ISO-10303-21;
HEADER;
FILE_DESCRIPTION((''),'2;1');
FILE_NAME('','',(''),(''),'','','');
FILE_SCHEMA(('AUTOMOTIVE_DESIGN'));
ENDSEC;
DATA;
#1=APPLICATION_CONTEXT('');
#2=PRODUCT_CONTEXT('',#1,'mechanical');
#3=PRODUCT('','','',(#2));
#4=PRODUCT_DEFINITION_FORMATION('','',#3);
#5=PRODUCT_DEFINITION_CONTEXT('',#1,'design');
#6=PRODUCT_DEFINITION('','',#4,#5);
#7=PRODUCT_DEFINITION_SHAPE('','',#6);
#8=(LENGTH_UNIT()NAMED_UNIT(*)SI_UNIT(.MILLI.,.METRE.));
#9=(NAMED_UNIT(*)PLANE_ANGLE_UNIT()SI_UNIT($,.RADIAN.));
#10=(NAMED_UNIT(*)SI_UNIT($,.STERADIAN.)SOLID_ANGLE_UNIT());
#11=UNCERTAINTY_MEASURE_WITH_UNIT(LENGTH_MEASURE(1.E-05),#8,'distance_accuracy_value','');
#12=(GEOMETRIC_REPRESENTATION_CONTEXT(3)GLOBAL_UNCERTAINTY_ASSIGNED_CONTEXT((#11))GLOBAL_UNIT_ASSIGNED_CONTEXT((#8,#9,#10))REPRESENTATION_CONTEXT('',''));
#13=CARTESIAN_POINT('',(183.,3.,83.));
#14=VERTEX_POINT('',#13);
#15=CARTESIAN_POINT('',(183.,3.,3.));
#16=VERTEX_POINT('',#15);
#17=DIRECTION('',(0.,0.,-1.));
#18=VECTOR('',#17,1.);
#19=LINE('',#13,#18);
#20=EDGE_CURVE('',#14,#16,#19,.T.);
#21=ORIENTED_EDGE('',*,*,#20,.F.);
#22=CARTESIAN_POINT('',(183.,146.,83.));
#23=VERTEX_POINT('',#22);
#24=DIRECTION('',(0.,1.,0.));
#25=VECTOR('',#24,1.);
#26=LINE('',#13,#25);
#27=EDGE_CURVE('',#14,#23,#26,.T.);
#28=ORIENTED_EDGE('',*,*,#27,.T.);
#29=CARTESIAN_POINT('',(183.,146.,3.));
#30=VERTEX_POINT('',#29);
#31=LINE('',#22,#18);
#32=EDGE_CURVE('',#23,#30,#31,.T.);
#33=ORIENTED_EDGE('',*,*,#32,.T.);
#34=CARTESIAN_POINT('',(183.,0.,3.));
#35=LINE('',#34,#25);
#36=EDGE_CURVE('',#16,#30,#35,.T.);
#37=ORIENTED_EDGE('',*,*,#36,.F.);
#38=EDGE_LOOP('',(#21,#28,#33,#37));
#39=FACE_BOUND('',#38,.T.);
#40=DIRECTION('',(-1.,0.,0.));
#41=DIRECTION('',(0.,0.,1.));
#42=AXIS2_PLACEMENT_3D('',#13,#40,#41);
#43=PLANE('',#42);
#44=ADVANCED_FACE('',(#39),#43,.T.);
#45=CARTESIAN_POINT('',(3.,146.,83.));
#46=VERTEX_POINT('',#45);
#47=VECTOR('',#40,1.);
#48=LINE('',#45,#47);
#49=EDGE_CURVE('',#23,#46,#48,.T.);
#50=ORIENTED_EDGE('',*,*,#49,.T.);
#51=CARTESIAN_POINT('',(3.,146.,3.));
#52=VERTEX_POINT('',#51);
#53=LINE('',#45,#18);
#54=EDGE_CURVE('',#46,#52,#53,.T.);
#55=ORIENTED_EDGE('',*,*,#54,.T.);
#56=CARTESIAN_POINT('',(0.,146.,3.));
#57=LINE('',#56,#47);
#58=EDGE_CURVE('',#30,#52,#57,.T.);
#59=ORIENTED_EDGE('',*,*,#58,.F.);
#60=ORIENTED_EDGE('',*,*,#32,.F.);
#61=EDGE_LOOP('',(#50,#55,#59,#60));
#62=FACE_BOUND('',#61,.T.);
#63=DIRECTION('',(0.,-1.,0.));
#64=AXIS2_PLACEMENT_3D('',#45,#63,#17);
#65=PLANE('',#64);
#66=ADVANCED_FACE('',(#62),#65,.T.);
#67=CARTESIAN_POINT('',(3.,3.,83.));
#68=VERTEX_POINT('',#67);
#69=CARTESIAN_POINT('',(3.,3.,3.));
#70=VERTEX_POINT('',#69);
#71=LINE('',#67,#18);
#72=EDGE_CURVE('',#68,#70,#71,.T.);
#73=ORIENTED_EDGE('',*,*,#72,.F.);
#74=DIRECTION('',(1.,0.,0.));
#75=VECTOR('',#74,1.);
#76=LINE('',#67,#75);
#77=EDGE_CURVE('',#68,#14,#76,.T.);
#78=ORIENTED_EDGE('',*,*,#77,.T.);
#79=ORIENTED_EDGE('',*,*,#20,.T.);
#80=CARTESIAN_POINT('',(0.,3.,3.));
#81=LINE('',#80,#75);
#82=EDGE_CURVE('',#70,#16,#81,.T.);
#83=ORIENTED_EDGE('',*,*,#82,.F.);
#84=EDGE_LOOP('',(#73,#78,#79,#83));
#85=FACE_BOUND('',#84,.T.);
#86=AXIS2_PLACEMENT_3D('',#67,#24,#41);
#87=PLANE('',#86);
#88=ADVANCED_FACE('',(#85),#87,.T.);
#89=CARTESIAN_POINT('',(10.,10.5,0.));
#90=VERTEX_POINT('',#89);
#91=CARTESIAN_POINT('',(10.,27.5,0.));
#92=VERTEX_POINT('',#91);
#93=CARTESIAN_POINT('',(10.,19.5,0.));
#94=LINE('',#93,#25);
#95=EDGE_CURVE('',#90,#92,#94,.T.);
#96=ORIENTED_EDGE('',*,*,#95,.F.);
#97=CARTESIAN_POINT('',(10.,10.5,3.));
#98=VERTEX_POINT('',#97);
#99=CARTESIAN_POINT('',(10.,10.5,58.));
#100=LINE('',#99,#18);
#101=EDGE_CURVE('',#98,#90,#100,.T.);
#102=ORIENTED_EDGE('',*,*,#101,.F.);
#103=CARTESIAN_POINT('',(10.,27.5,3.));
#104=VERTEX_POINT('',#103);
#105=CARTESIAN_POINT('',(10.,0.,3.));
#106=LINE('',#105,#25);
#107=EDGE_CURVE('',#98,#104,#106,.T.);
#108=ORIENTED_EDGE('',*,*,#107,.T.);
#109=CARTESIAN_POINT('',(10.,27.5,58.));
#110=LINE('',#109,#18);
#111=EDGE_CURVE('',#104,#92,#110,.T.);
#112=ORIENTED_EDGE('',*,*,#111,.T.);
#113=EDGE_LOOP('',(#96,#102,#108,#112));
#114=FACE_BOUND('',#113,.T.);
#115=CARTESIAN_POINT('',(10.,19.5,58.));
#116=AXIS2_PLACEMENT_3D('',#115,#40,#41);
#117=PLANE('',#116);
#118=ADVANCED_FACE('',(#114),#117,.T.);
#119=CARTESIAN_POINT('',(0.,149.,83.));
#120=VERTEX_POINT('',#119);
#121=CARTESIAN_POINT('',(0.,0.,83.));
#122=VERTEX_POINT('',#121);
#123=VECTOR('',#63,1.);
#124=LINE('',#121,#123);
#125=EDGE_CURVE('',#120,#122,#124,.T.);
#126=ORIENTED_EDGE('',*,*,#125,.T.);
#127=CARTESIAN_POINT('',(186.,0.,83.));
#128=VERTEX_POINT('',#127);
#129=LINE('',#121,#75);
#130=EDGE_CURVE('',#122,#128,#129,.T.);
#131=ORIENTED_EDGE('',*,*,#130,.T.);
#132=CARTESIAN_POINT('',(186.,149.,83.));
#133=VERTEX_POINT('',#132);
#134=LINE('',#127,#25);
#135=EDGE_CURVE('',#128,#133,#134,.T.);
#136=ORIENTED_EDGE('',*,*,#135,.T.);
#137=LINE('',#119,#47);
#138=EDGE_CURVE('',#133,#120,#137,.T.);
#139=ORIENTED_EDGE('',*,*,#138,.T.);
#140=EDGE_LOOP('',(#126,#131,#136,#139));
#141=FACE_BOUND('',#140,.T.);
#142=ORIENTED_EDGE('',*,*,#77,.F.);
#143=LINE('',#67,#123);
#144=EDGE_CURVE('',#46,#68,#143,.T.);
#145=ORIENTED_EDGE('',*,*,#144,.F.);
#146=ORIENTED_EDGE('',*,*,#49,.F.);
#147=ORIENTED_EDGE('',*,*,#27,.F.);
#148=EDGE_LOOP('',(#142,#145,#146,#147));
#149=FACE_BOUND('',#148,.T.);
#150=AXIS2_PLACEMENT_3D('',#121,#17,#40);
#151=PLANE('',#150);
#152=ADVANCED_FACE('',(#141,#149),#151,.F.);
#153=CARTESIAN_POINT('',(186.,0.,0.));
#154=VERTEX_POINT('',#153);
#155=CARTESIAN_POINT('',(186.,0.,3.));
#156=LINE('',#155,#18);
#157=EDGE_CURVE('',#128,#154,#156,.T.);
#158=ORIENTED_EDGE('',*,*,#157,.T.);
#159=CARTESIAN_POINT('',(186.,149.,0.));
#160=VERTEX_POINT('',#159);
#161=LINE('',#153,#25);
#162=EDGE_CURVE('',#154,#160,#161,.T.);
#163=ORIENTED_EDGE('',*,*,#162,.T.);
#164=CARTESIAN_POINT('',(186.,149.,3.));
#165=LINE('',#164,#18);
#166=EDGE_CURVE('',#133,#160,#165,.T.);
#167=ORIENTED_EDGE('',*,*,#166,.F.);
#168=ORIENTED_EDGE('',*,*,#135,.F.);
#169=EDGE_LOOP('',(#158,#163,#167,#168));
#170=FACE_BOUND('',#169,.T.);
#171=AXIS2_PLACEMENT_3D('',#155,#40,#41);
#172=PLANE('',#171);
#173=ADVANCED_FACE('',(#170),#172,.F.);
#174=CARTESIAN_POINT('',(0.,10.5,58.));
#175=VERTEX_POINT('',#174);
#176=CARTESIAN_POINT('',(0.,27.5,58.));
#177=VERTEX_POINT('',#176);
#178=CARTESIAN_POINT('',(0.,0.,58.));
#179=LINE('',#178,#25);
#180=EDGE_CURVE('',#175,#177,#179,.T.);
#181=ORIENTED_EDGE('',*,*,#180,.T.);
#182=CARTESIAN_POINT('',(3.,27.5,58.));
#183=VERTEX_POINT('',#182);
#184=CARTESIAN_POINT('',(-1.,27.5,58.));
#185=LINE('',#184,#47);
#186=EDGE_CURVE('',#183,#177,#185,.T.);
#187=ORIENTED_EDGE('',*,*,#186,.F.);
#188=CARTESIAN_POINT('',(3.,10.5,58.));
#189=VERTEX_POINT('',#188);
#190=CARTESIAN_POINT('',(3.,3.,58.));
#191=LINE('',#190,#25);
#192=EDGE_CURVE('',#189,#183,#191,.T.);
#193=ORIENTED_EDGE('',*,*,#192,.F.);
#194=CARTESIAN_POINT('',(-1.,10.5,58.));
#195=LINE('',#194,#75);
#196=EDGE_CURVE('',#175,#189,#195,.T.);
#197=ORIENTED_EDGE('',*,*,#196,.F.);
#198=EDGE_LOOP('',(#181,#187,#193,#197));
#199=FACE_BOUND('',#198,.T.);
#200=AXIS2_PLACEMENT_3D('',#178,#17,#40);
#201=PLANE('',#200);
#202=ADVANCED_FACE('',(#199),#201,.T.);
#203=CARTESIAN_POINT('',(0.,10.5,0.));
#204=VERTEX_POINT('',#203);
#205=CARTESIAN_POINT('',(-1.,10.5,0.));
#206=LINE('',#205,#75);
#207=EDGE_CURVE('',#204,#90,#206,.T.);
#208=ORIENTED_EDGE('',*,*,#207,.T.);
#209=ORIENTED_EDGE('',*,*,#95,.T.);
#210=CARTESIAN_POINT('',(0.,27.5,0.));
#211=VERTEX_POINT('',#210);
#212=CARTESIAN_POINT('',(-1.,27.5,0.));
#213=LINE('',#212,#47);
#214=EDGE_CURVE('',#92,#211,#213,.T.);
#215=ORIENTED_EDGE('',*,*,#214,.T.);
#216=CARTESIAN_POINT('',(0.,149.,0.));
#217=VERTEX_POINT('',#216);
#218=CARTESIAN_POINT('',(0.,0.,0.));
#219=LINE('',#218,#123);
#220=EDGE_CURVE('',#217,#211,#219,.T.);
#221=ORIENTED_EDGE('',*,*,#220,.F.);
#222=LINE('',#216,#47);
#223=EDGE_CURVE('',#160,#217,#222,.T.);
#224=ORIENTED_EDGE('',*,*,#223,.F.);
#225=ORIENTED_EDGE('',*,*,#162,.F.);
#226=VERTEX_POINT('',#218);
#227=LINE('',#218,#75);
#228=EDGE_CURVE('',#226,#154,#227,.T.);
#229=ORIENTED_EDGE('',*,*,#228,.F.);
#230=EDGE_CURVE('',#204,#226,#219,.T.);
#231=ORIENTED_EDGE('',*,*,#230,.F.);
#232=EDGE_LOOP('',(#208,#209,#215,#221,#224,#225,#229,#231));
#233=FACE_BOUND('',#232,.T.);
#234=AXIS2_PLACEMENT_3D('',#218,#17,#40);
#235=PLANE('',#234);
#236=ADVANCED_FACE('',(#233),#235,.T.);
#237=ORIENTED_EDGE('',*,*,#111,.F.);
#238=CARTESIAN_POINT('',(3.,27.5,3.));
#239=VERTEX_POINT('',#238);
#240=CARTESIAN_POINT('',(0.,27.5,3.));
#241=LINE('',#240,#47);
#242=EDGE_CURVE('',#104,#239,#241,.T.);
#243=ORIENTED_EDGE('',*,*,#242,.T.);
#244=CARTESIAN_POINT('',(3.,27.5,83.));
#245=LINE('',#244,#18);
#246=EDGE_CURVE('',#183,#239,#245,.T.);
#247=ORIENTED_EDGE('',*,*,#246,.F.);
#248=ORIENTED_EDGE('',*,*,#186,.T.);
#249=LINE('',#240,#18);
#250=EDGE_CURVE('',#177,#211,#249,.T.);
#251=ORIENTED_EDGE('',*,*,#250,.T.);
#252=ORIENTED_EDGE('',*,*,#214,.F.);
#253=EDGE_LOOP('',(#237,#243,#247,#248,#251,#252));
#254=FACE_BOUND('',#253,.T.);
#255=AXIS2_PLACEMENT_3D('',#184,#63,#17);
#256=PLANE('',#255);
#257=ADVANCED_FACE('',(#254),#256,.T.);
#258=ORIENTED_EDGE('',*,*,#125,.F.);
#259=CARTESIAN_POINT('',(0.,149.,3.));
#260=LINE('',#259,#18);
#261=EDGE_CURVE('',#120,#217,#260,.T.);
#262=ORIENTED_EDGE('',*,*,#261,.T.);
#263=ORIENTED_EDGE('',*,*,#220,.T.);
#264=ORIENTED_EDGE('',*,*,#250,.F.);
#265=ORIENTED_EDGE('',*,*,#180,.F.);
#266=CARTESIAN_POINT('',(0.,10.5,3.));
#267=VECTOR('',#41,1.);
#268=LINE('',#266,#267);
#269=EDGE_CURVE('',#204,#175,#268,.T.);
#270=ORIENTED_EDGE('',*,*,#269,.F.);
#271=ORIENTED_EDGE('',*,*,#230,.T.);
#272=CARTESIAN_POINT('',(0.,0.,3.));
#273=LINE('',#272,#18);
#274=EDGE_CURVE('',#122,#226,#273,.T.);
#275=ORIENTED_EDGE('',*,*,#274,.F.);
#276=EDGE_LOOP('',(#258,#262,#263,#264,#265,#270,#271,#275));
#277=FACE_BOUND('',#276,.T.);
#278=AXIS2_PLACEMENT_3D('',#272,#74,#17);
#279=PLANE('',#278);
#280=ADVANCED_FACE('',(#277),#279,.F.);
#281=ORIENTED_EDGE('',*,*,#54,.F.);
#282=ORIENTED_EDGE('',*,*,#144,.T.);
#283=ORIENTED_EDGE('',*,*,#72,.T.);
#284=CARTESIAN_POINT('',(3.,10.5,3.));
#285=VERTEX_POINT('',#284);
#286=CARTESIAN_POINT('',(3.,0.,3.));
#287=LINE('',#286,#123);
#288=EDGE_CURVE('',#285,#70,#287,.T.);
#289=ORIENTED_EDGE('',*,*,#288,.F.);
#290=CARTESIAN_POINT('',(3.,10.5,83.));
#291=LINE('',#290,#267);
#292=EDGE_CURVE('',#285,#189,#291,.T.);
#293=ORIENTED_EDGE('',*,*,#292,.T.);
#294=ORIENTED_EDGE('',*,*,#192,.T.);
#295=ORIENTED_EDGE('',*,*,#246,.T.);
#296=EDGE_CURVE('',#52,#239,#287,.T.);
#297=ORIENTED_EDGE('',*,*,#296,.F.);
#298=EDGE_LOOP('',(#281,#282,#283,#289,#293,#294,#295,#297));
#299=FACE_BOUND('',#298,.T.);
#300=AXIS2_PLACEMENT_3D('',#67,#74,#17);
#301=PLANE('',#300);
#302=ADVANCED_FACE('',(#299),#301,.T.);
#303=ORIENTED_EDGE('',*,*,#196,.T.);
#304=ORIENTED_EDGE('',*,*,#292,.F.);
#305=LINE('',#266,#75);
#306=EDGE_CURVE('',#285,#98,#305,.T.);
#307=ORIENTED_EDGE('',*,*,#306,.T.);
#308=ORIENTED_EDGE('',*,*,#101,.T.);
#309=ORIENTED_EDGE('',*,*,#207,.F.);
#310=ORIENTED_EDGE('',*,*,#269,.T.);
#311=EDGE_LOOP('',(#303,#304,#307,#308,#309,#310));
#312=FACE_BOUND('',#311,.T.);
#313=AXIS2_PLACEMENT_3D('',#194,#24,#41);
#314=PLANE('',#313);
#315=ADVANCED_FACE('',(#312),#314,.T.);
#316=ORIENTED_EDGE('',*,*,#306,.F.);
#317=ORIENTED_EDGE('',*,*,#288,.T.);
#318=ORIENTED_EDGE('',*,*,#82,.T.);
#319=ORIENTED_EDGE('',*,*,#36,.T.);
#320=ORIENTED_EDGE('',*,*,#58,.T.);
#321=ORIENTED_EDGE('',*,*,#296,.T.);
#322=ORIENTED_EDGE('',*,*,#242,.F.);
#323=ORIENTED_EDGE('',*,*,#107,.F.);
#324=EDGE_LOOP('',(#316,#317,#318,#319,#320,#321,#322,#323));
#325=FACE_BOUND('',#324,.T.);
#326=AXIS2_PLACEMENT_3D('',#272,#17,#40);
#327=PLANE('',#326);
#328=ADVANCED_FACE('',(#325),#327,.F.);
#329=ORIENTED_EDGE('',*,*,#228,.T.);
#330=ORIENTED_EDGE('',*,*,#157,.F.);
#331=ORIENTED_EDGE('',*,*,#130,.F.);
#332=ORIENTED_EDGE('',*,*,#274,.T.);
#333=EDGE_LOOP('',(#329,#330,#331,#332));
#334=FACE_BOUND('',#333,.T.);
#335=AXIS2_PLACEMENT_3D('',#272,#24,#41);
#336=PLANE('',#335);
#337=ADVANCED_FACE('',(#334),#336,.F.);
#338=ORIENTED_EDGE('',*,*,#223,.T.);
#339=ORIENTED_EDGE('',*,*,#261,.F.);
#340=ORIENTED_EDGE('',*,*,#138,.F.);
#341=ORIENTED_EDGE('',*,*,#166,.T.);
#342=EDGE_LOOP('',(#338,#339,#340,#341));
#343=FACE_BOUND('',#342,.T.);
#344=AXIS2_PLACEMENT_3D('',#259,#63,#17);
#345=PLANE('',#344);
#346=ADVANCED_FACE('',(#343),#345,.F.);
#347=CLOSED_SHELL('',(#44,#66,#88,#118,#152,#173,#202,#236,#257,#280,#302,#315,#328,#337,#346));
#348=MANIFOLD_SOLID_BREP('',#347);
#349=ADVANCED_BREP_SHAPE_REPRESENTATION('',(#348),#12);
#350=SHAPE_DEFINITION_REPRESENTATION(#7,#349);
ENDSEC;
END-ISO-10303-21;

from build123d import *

# Parameters (mm, degrees)
SKETCH_1_W                      = 186
SKETCH_1_H                      = 149
FLOOR_T3_DEPTH                  = 3
SKETCH_2_W                      = 186
SKETCH_2_H                      = 149
SKETCH_2_W_2                    = 180
SKETCH_2_H_2                    = 143
WALLS_T3_DEPTH80_DEPTH          = 83
SKETCH_3_W                      = 11
SKETCH_3_H                      = 8
SERVO_STAND_RELIEF_W8_H58_DEPTH = 58
SKETCH_4_W                      = 11
SKETCH_4_H                      = 17
SERVO_EARS_RELIEF_V3_DEPTH      = 58


with BuildPart() as part:
    # 草图1 → Floor_T3 (new body)
    with BuildSketch(Plane.XY):
        with Locations((93, 74.5)):
            Rectangle(SKETCH_1_W, SKETCH_1_H)
    extrude(amount=FLOOR_T3_DEPTH)

    # 草图2 → Walls_T3_depth80 (add)
    with BuildSketch(Plane.XY):
        with Locations((93, 74.5)):
            Rectangle(SKETCH_2_W, SKETCH_2_H)
        with Locations((93, 74.5)):
            Rectangle(SKETCH_2_W_2, SKETCH_2_H_2, mode=Mode.SUBTRACT)
    extrude(amount=WALLS_T3_DEPTH80_DEPTH)

    # 草图3 → Servo_stand_relief_W8_H58 (cut)
    with BuildSketch(Plane.XY):
        with Locations((4.5, 23.5)):
            Rectangle(SKETCH_3_W, SKETCH_3_H)
    extrude(amount=SERVO_STAND_RELIEF_W8_H58_DEPTH, mode=Mode.SUBTRACT)

    # 草图4 → Servo_ears_relief_v3 (cut)
    with BuildSketch(Plane.XY):
        with Locations((4.5, 19)):
            Rectangle(SKETCH_4_W, SKETCH_4_H)
    extrude(amount=SERVO_EARS_RELIEF_V3_DEPTH, mode=Mode.SUBTRACT)


solid = part.part
